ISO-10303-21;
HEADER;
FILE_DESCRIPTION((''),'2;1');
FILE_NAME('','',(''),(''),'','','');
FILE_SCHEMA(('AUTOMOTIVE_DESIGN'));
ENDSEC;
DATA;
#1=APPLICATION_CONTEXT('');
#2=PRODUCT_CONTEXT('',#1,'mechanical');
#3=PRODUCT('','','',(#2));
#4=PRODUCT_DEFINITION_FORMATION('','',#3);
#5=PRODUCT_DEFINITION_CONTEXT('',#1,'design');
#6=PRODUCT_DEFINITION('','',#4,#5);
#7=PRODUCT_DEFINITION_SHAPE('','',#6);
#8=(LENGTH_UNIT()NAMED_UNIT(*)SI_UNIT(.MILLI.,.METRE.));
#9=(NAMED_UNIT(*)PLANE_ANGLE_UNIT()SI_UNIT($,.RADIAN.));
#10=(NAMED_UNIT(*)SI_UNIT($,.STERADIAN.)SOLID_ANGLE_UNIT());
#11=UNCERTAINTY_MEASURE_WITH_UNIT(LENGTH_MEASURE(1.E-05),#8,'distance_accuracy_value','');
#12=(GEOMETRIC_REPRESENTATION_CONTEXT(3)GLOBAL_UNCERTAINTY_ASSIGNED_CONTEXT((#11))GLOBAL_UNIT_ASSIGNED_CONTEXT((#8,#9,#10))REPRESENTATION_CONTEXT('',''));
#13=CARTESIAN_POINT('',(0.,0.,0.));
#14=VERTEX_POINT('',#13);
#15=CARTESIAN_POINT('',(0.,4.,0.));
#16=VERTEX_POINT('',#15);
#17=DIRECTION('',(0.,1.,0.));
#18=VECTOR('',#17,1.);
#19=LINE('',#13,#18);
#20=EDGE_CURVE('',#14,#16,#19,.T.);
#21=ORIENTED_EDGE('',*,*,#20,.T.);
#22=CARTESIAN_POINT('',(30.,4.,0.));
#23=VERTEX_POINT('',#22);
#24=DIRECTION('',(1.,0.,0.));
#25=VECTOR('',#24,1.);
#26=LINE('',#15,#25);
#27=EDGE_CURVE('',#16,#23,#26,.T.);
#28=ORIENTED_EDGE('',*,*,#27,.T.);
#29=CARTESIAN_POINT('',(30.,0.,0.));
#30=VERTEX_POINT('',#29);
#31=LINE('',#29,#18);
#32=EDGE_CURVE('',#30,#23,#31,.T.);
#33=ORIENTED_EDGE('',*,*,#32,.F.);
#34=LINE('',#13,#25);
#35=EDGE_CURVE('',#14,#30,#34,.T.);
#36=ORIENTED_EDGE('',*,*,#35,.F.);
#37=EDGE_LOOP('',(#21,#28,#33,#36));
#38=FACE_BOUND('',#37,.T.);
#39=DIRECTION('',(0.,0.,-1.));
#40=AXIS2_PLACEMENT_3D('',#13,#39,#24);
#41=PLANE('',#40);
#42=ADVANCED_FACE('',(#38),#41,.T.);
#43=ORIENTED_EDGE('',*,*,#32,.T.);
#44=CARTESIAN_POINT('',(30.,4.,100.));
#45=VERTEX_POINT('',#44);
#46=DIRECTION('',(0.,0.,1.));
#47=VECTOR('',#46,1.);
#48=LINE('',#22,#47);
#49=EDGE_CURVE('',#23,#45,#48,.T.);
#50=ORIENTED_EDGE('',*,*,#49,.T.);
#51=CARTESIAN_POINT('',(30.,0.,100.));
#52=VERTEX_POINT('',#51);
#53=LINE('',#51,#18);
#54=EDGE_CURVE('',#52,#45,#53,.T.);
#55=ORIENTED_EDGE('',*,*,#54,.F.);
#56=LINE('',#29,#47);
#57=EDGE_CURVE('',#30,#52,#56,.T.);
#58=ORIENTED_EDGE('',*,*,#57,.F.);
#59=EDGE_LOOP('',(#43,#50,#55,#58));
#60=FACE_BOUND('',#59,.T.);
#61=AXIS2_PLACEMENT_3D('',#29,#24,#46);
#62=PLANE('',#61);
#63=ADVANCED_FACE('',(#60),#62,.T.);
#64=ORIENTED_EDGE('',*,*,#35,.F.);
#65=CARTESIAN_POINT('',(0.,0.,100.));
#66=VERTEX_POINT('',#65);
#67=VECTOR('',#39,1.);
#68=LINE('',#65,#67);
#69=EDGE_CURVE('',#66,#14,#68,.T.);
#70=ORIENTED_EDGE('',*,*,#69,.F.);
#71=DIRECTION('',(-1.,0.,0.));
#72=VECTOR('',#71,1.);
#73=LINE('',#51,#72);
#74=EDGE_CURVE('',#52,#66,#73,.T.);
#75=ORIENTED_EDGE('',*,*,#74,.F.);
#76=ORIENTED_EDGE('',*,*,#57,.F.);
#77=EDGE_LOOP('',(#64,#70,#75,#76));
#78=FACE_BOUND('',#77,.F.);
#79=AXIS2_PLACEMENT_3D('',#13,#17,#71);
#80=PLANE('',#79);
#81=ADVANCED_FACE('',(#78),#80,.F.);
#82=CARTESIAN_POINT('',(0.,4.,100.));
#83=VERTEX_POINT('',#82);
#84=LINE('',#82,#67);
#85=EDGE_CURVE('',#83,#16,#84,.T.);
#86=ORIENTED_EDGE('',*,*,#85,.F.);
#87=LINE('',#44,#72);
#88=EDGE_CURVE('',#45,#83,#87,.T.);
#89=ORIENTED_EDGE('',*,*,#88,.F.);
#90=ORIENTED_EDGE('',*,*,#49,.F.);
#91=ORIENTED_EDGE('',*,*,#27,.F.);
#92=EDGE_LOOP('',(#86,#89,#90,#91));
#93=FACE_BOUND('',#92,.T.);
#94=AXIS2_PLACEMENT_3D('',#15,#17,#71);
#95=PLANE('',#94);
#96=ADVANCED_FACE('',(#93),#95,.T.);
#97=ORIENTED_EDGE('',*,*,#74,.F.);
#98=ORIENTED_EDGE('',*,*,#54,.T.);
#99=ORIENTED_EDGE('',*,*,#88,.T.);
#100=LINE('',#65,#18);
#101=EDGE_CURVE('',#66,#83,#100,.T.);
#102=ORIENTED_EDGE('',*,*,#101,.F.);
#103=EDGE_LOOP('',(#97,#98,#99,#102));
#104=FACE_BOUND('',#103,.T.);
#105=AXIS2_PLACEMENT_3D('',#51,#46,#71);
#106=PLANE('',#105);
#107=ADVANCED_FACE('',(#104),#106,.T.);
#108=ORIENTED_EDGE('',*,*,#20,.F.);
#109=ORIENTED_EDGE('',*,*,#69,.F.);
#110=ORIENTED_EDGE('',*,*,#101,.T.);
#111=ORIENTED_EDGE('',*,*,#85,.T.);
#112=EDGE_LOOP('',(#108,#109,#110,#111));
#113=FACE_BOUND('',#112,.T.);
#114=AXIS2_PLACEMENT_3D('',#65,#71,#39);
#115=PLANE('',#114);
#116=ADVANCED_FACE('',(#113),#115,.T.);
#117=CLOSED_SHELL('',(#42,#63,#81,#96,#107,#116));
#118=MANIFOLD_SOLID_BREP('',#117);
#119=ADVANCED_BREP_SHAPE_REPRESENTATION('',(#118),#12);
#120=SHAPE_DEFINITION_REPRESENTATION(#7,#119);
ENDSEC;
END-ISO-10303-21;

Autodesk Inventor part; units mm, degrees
ref_plane "YZ Plane" through (0, 0, 0) normal (1, 0, 0) x (0, 1, 0)
ref_plane "XZ Plane" through (0, 0, 0) normal (0, 1, 0) x (-1, 0, 0)
ref_plane "XY Plane" through (0, 0, 0) normal (0, 0, 1) x (1, 0, 0)
sketch "スケッチ1" plane through (0, 0, 0) normal (0, 1, 0) x (-1, 0, 0)
  line L0 (0, 0) -> (-30, 0)
  line L1 (-30, 0) -> (-30, 100)
  line L2 (-30, 100) -> (0, 100)
  line L3 (0, 100) -> (0, 0)
  dimension "d0" = 30
  dimension "d1" = 100
extrude "押し出し1" add sketch "スケッチ1" along normal blind 4
properties part number "Plate1"
